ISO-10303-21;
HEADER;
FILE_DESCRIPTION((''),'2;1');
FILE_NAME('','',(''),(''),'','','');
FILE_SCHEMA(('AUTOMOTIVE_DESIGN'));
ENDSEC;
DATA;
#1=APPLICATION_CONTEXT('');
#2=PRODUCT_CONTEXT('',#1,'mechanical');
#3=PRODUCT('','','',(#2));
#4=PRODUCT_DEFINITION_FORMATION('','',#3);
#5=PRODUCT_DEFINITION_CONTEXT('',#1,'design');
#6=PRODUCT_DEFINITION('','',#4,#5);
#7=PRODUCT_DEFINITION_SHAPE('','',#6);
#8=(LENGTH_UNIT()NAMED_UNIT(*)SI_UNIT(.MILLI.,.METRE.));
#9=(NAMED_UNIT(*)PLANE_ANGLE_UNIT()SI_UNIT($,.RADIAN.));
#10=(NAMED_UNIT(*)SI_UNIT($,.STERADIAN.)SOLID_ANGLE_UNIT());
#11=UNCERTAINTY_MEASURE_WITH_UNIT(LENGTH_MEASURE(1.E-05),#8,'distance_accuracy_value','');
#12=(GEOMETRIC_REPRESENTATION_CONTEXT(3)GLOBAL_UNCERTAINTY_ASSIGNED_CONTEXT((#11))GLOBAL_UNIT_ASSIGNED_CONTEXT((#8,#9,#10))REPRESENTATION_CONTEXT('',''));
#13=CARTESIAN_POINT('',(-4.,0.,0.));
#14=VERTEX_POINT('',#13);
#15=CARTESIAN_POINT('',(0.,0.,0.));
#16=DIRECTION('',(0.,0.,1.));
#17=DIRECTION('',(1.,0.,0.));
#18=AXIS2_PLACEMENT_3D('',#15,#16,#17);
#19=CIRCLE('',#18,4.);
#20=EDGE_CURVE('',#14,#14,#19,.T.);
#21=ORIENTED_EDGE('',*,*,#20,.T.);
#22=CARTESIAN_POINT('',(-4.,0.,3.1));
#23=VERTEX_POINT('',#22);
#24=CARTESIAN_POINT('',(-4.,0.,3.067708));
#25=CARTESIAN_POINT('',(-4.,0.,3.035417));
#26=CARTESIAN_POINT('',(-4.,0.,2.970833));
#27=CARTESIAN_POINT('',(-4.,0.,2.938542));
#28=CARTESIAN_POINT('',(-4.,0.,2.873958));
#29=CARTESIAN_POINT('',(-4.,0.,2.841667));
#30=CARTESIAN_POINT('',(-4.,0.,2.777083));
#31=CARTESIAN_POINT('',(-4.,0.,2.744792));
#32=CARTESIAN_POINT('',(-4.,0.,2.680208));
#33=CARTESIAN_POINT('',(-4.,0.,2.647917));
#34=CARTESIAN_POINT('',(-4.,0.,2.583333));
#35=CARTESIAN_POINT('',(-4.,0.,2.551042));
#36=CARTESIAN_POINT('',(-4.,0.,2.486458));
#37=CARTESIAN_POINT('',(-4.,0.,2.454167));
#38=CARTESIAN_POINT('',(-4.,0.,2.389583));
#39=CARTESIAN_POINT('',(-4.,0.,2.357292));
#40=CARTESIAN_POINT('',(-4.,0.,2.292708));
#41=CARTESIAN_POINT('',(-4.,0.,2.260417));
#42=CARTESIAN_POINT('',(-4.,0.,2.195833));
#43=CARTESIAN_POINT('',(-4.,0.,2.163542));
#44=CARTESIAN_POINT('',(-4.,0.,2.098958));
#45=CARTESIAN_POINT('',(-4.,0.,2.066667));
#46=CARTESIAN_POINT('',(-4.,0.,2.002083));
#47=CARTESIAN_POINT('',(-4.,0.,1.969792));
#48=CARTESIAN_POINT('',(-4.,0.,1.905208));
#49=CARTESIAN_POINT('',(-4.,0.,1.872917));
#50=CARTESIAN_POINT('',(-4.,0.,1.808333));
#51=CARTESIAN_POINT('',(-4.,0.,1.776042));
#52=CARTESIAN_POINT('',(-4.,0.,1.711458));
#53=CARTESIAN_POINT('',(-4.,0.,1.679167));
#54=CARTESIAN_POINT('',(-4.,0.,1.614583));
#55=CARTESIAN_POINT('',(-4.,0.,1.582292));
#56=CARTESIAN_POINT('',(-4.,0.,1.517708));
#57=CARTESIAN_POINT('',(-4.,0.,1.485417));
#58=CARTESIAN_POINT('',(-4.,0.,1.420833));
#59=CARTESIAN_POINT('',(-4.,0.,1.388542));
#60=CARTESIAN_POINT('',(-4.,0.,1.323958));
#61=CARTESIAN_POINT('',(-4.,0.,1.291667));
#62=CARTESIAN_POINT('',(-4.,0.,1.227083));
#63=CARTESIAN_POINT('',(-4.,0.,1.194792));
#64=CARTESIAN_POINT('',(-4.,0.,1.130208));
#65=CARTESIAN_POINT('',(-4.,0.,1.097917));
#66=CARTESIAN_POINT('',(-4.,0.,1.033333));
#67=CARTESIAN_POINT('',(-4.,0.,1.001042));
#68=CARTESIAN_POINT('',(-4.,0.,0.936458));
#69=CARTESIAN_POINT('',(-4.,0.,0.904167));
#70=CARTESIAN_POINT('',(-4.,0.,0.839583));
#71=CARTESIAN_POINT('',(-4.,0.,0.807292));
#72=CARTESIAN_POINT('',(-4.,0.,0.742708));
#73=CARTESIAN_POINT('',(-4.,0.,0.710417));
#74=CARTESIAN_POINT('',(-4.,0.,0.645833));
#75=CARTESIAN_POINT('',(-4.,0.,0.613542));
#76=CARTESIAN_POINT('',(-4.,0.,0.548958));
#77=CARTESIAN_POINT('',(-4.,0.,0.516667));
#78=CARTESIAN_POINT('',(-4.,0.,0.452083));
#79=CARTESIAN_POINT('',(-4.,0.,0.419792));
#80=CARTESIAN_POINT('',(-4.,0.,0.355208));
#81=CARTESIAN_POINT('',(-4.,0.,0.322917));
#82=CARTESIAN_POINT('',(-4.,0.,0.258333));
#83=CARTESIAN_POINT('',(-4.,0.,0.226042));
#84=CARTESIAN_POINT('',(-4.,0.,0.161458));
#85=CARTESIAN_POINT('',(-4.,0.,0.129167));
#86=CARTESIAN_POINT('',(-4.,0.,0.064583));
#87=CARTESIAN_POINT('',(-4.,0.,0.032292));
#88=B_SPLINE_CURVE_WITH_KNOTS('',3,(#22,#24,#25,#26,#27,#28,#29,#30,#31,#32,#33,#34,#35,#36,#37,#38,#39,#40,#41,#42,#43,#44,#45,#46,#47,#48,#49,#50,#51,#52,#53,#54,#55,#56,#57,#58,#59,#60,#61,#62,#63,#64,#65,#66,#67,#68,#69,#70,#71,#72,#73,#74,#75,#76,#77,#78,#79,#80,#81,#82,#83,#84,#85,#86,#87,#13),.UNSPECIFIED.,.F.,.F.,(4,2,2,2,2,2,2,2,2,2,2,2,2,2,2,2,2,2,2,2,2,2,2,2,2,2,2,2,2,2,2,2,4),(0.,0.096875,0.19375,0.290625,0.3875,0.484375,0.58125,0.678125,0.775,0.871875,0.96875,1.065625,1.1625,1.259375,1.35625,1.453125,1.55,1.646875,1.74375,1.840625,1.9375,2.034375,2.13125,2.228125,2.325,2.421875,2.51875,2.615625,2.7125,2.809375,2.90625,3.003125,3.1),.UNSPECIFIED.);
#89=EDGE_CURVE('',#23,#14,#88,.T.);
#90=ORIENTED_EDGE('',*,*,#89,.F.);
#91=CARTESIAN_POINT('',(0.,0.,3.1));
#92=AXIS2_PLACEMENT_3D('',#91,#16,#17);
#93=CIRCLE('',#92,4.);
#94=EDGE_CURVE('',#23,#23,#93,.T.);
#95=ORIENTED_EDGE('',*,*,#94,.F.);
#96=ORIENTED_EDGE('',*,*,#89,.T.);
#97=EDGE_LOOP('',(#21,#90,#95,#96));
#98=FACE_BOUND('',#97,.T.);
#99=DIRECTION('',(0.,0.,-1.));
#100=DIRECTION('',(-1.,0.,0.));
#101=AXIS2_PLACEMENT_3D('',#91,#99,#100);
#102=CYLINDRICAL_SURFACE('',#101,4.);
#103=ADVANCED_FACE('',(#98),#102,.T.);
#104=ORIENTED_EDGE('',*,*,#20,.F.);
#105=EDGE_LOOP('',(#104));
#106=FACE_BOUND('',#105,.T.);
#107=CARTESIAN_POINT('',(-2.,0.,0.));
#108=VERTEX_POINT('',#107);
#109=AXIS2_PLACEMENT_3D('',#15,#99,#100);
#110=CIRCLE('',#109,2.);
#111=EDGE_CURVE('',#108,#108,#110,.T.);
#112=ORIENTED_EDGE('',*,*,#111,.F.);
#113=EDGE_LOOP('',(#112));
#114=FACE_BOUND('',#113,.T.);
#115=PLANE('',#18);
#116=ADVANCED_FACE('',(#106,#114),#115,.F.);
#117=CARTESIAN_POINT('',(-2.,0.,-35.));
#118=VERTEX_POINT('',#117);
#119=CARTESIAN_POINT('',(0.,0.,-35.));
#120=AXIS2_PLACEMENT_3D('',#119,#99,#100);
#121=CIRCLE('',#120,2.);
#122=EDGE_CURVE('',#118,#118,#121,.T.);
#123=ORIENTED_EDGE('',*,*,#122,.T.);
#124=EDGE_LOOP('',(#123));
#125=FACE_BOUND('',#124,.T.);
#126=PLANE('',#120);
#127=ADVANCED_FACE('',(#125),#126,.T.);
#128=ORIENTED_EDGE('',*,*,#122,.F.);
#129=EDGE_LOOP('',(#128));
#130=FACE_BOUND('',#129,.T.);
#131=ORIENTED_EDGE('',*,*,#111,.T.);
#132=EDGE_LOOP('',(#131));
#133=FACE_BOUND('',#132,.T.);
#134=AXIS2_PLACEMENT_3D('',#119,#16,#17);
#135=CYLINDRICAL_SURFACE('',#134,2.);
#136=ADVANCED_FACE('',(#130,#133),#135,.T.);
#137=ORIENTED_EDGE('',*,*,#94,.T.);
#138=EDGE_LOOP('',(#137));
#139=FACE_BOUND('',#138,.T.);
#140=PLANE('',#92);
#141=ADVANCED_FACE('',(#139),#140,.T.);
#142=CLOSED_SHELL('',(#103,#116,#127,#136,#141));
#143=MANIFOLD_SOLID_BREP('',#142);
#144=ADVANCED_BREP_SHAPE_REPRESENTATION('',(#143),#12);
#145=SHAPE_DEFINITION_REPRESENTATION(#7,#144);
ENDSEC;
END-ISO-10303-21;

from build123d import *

# Parameters (mm, degrees)
ESQUISSE1_R        = 4
BOSS_EXTRU_1_DEPTH = 3.1
ESQUISSE2_R        = 2
BOSS_EXTRU_2_DEPTH = 35


with BuildPart() as part:
    # Esquisse1 → Boss.-Extru.1 (new body)
    with BuildSketch(Plane.XY):
        with Locations(Location((0, 0, 0), (0, 0, 180))):
            Circle(ESQUISSE1_R)
    extrude(amount=BOSS_EXTRU_1_DEPTH)

    # Esquisse2 → Boss.-Extru.2 (add)
    with BuildSketch(Plane(origin=(0, 0, 0), x_dir=(-1, 0, 0), z_dir=(0, 0, -1))):
        Circle(ESQUISSE2_R)
    extrude(amount=BOSS_EXTRU_2_DEPTH)


solid = part.part
